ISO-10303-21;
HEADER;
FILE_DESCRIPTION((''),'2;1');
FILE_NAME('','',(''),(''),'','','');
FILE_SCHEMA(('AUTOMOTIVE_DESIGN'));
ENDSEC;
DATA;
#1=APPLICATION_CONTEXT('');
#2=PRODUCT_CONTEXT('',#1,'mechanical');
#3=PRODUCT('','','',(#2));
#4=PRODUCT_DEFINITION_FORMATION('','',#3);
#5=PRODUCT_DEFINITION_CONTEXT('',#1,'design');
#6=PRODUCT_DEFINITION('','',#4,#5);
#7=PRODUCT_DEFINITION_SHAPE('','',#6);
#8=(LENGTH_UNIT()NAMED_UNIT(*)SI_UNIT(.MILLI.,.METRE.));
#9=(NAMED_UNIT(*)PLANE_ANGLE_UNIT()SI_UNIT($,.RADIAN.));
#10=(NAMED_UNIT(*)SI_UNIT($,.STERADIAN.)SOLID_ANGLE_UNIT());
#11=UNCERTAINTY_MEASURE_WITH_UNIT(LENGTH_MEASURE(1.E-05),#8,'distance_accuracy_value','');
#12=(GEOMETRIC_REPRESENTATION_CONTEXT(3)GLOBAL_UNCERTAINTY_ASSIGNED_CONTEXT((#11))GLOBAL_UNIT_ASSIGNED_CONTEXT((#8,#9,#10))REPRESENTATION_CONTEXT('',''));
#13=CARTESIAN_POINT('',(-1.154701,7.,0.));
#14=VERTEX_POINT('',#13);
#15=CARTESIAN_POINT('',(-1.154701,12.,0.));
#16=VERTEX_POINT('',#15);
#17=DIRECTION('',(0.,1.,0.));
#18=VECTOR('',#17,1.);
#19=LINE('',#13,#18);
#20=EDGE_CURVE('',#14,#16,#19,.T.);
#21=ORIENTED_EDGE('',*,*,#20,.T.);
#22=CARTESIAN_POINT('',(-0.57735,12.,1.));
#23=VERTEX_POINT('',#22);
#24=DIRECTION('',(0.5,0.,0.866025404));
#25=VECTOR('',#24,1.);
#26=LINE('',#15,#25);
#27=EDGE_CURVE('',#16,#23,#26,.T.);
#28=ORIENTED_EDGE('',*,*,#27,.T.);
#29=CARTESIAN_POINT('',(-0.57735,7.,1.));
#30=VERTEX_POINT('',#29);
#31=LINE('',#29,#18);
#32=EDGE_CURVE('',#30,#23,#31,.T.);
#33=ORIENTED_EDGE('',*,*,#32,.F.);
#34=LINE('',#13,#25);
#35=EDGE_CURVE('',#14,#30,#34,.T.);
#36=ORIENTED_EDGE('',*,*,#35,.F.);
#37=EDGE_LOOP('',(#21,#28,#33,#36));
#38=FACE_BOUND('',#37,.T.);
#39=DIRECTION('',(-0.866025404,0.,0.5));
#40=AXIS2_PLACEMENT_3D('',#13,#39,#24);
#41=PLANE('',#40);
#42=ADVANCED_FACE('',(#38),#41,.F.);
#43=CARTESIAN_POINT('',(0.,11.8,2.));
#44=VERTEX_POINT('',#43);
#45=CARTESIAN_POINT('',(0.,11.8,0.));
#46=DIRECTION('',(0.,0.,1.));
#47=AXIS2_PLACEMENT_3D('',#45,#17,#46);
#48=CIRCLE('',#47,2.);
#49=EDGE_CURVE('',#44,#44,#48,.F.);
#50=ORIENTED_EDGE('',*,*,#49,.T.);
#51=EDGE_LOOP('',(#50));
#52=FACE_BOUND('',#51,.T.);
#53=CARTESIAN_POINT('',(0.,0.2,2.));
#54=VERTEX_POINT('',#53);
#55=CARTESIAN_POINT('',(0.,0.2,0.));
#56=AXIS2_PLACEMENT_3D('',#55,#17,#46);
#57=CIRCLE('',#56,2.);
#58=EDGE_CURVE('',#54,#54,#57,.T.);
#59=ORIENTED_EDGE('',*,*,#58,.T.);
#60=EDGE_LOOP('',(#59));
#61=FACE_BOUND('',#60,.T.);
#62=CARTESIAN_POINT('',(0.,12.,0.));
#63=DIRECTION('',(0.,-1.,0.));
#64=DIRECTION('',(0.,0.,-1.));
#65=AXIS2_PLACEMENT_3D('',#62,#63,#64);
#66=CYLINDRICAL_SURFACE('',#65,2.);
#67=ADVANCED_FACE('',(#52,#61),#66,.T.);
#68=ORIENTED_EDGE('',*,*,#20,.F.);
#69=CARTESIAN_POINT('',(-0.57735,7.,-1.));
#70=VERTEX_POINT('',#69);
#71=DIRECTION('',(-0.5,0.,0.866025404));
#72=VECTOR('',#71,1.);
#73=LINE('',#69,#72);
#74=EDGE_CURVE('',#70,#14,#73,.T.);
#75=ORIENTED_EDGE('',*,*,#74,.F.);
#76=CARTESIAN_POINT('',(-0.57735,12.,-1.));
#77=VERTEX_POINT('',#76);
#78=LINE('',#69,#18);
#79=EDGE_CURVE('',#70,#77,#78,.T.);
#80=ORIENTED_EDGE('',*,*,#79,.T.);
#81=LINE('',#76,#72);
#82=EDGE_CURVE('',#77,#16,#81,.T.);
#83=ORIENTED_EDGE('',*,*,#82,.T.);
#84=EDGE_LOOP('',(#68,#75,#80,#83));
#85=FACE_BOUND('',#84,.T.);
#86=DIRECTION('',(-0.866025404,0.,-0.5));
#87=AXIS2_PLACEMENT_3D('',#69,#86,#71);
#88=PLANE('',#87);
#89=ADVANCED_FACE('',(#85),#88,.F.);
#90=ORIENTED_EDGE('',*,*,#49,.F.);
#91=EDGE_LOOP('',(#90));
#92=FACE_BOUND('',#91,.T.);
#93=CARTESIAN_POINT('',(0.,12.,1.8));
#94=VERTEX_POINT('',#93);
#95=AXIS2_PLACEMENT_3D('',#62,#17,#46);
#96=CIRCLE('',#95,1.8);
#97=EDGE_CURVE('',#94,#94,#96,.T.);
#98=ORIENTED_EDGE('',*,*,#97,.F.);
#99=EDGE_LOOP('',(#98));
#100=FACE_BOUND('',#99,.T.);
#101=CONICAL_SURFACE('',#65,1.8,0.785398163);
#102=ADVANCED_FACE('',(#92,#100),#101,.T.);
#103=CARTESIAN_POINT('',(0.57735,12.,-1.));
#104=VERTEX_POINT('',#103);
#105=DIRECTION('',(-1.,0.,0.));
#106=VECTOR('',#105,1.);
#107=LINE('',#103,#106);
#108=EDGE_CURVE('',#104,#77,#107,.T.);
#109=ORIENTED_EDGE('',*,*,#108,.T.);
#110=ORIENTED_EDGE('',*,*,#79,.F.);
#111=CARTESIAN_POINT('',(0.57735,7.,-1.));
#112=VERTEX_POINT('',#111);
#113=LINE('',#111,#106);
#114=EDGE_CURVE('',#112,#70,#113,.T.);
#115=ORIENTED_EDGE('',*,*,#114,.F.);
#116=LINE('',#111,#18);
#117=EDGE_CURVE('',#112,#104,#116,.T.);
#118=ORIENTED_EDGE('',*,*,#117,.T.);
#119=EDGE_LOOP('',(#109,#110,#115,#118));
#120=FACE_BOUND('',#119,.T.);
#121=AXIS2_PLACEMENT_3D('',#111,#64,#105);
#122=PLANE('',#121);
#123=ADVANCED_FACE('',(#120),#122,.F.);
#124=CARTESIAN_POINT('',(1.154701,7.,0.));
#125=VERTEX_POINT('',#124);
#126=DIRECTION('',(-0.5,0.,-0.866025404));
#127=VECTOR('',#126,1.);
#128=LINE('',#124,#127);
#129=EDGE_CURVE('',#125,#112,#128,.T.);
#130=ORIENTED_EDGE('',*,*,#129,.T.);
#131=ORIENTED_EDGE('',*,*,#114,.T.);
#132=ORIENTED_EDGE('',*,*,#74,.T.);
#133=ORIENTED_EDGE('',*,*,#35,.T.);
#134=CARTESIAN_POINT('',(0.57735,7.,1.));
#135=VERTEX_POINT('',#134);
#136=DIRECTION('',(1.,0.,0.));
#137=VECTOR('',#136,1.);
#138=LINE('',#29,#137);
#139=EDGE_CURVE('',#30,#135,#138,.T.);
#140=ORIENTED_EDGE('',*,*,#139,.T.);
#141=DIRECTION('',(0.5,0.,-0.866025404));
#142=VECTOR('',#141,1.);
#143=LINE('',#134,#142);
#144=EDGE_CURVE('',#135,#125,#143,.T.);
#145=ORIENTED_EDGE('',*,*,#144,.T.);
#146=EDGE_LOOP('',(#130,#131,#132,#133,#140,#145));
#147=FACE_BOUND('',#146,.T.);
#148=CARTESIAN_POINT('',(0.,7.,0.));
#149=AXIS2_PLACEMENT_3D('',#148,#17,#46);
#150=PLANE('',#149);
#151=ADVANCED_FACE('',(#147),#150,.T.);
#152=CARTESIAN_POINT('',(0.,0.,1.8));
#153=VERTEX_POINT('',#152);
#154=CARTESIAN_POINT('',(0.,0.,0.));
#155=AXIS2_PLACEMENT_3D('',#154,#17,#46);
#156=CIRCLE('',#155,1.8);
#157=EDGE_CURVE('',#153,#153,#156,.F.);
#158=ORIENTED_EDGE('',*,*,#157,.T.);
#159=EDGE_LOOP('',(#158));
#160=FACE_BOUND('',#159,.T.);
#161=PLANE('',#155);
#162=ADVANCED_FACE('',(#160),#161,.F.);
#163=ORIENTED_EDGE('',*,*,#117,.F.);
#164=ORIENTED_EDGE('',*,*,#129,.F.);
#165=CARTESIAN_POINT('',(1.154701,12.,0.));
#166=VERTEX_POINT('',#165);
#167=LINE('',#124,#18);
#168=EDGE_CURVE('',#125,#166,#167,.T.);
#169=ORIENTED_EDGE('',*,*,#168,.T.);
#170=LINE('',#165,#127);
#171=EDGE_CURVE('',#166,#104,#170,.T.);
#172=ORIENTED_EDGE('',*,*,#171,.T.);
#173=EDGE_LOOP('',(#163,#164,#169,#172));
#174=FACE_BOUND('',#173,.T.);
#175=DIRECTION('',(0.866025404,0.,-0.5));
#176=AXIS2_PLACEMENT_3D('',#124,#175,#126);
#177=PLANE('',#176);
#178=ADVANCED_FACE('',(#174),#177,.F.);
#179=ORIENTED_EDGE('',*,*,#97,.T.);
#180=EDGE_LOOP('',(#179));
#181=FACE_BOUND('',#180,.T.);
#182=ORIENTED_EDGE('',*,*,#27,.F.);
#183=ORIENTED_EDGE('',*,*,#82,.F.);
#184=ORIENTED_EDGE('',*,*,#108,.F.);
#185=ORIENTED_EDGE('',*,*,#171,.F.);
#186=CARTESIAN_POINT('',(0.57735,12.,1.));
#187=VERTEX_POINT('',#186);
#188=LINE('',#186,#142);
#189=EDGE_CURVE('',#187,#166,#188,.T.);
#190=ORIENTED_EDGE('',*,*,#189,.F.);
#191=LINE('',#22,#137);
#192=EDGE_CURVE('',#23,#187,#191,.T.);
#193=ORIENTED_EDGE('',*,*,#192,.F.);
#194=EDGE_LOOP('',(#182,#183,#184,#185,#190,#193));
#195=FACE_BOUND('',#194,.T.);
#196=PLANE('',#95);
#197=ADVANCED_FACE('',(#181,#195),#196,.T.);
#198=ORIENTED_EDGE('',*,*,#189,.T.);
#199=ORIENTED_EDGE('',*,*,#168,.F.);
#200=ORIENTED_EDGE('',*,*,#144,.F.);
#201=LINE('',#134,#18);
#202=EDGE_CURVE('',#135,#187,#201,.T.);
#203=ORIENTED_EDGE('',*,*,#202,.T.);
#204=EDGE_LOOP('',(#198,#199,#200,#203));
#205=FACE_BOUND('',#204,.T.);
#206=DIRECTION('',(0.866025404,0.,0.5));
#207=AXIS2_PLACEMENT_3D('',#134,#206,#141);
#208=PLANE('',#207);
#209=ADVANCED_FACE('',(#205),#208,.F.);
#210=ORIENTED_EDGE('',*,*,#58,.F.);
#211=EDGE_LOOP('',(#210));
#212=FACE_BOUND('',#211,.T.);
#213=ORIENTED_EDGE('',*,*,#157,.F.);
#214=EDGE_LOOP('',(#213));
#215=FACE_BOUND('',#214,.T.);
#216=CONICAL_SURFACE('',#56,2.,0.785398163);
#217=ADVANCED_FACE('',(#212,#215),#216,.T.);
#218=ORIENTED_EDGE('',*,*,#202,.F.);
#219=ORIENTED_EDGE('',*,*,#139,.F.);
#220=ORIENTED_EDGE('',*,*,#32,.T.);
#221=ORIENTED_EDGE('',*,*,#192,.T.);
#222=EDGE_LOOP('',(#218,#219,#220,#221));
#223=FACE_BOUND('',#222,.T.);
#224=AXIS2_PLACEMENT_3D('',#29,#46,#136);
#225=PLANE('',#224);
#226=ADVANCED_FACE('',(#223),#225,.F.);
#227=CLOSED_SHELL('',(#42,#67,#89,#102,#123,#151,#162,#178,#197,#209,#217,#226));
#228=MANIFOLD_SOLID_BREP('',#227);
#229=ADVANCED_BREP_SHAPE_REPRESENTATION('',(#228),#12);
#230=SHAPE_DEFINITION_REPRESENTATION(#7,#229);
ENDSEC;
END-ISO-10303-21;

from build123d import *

# Parameters (mm, degrees)
SKETCH_1_R          = 2
EXTRUDE_1_DEPTH     = 12
CHAMFER_1_SIZE      = 0.2
CUT_EXTRUDE_1_DEPTH = 5


with BuildPart() as part:
    # 草图1 → 凸台-拉伸1 (new body)
    with BuildSketch(Plane(origin=(0, 0, 0), x_dir=(1, 0, 0), z_dir=(0, 1, 0))):
        with Locations(Location((0, 0, 0), (0, 0, 270))):
            Circle(SKETCH_1_R)
    extrude(amount=EXTRUDE_1_DEPTH)

    # 倒角1
    chamfer_1_edges = [part.edges().sort_by_distance(p)[0] for p in [
        (0, 0, -2),
        (0, 12, -2),
    ]]
    chamfer(chamfer_1_edges, length=CHAMFER_1_SIZE)

    # 草图2 → 切除-拉伸1 (cut)
    with BuildSketch(Plane(origin=(0, 12, 0), x_dir=(1, 0, 0), z_dir=(0, 1, 0))):
        Polygon((-1.154700538, 0), (-0.577350269, -1), (0.577350269, -1), (1.154700538, 0), (0.577350269, 1), (-0.577350269, 1), align=None)
    extrude(amount=-CUT_EXTRUDE_1_DEPTH, mode=Mode.SUBTRACT)


solid = part.part
